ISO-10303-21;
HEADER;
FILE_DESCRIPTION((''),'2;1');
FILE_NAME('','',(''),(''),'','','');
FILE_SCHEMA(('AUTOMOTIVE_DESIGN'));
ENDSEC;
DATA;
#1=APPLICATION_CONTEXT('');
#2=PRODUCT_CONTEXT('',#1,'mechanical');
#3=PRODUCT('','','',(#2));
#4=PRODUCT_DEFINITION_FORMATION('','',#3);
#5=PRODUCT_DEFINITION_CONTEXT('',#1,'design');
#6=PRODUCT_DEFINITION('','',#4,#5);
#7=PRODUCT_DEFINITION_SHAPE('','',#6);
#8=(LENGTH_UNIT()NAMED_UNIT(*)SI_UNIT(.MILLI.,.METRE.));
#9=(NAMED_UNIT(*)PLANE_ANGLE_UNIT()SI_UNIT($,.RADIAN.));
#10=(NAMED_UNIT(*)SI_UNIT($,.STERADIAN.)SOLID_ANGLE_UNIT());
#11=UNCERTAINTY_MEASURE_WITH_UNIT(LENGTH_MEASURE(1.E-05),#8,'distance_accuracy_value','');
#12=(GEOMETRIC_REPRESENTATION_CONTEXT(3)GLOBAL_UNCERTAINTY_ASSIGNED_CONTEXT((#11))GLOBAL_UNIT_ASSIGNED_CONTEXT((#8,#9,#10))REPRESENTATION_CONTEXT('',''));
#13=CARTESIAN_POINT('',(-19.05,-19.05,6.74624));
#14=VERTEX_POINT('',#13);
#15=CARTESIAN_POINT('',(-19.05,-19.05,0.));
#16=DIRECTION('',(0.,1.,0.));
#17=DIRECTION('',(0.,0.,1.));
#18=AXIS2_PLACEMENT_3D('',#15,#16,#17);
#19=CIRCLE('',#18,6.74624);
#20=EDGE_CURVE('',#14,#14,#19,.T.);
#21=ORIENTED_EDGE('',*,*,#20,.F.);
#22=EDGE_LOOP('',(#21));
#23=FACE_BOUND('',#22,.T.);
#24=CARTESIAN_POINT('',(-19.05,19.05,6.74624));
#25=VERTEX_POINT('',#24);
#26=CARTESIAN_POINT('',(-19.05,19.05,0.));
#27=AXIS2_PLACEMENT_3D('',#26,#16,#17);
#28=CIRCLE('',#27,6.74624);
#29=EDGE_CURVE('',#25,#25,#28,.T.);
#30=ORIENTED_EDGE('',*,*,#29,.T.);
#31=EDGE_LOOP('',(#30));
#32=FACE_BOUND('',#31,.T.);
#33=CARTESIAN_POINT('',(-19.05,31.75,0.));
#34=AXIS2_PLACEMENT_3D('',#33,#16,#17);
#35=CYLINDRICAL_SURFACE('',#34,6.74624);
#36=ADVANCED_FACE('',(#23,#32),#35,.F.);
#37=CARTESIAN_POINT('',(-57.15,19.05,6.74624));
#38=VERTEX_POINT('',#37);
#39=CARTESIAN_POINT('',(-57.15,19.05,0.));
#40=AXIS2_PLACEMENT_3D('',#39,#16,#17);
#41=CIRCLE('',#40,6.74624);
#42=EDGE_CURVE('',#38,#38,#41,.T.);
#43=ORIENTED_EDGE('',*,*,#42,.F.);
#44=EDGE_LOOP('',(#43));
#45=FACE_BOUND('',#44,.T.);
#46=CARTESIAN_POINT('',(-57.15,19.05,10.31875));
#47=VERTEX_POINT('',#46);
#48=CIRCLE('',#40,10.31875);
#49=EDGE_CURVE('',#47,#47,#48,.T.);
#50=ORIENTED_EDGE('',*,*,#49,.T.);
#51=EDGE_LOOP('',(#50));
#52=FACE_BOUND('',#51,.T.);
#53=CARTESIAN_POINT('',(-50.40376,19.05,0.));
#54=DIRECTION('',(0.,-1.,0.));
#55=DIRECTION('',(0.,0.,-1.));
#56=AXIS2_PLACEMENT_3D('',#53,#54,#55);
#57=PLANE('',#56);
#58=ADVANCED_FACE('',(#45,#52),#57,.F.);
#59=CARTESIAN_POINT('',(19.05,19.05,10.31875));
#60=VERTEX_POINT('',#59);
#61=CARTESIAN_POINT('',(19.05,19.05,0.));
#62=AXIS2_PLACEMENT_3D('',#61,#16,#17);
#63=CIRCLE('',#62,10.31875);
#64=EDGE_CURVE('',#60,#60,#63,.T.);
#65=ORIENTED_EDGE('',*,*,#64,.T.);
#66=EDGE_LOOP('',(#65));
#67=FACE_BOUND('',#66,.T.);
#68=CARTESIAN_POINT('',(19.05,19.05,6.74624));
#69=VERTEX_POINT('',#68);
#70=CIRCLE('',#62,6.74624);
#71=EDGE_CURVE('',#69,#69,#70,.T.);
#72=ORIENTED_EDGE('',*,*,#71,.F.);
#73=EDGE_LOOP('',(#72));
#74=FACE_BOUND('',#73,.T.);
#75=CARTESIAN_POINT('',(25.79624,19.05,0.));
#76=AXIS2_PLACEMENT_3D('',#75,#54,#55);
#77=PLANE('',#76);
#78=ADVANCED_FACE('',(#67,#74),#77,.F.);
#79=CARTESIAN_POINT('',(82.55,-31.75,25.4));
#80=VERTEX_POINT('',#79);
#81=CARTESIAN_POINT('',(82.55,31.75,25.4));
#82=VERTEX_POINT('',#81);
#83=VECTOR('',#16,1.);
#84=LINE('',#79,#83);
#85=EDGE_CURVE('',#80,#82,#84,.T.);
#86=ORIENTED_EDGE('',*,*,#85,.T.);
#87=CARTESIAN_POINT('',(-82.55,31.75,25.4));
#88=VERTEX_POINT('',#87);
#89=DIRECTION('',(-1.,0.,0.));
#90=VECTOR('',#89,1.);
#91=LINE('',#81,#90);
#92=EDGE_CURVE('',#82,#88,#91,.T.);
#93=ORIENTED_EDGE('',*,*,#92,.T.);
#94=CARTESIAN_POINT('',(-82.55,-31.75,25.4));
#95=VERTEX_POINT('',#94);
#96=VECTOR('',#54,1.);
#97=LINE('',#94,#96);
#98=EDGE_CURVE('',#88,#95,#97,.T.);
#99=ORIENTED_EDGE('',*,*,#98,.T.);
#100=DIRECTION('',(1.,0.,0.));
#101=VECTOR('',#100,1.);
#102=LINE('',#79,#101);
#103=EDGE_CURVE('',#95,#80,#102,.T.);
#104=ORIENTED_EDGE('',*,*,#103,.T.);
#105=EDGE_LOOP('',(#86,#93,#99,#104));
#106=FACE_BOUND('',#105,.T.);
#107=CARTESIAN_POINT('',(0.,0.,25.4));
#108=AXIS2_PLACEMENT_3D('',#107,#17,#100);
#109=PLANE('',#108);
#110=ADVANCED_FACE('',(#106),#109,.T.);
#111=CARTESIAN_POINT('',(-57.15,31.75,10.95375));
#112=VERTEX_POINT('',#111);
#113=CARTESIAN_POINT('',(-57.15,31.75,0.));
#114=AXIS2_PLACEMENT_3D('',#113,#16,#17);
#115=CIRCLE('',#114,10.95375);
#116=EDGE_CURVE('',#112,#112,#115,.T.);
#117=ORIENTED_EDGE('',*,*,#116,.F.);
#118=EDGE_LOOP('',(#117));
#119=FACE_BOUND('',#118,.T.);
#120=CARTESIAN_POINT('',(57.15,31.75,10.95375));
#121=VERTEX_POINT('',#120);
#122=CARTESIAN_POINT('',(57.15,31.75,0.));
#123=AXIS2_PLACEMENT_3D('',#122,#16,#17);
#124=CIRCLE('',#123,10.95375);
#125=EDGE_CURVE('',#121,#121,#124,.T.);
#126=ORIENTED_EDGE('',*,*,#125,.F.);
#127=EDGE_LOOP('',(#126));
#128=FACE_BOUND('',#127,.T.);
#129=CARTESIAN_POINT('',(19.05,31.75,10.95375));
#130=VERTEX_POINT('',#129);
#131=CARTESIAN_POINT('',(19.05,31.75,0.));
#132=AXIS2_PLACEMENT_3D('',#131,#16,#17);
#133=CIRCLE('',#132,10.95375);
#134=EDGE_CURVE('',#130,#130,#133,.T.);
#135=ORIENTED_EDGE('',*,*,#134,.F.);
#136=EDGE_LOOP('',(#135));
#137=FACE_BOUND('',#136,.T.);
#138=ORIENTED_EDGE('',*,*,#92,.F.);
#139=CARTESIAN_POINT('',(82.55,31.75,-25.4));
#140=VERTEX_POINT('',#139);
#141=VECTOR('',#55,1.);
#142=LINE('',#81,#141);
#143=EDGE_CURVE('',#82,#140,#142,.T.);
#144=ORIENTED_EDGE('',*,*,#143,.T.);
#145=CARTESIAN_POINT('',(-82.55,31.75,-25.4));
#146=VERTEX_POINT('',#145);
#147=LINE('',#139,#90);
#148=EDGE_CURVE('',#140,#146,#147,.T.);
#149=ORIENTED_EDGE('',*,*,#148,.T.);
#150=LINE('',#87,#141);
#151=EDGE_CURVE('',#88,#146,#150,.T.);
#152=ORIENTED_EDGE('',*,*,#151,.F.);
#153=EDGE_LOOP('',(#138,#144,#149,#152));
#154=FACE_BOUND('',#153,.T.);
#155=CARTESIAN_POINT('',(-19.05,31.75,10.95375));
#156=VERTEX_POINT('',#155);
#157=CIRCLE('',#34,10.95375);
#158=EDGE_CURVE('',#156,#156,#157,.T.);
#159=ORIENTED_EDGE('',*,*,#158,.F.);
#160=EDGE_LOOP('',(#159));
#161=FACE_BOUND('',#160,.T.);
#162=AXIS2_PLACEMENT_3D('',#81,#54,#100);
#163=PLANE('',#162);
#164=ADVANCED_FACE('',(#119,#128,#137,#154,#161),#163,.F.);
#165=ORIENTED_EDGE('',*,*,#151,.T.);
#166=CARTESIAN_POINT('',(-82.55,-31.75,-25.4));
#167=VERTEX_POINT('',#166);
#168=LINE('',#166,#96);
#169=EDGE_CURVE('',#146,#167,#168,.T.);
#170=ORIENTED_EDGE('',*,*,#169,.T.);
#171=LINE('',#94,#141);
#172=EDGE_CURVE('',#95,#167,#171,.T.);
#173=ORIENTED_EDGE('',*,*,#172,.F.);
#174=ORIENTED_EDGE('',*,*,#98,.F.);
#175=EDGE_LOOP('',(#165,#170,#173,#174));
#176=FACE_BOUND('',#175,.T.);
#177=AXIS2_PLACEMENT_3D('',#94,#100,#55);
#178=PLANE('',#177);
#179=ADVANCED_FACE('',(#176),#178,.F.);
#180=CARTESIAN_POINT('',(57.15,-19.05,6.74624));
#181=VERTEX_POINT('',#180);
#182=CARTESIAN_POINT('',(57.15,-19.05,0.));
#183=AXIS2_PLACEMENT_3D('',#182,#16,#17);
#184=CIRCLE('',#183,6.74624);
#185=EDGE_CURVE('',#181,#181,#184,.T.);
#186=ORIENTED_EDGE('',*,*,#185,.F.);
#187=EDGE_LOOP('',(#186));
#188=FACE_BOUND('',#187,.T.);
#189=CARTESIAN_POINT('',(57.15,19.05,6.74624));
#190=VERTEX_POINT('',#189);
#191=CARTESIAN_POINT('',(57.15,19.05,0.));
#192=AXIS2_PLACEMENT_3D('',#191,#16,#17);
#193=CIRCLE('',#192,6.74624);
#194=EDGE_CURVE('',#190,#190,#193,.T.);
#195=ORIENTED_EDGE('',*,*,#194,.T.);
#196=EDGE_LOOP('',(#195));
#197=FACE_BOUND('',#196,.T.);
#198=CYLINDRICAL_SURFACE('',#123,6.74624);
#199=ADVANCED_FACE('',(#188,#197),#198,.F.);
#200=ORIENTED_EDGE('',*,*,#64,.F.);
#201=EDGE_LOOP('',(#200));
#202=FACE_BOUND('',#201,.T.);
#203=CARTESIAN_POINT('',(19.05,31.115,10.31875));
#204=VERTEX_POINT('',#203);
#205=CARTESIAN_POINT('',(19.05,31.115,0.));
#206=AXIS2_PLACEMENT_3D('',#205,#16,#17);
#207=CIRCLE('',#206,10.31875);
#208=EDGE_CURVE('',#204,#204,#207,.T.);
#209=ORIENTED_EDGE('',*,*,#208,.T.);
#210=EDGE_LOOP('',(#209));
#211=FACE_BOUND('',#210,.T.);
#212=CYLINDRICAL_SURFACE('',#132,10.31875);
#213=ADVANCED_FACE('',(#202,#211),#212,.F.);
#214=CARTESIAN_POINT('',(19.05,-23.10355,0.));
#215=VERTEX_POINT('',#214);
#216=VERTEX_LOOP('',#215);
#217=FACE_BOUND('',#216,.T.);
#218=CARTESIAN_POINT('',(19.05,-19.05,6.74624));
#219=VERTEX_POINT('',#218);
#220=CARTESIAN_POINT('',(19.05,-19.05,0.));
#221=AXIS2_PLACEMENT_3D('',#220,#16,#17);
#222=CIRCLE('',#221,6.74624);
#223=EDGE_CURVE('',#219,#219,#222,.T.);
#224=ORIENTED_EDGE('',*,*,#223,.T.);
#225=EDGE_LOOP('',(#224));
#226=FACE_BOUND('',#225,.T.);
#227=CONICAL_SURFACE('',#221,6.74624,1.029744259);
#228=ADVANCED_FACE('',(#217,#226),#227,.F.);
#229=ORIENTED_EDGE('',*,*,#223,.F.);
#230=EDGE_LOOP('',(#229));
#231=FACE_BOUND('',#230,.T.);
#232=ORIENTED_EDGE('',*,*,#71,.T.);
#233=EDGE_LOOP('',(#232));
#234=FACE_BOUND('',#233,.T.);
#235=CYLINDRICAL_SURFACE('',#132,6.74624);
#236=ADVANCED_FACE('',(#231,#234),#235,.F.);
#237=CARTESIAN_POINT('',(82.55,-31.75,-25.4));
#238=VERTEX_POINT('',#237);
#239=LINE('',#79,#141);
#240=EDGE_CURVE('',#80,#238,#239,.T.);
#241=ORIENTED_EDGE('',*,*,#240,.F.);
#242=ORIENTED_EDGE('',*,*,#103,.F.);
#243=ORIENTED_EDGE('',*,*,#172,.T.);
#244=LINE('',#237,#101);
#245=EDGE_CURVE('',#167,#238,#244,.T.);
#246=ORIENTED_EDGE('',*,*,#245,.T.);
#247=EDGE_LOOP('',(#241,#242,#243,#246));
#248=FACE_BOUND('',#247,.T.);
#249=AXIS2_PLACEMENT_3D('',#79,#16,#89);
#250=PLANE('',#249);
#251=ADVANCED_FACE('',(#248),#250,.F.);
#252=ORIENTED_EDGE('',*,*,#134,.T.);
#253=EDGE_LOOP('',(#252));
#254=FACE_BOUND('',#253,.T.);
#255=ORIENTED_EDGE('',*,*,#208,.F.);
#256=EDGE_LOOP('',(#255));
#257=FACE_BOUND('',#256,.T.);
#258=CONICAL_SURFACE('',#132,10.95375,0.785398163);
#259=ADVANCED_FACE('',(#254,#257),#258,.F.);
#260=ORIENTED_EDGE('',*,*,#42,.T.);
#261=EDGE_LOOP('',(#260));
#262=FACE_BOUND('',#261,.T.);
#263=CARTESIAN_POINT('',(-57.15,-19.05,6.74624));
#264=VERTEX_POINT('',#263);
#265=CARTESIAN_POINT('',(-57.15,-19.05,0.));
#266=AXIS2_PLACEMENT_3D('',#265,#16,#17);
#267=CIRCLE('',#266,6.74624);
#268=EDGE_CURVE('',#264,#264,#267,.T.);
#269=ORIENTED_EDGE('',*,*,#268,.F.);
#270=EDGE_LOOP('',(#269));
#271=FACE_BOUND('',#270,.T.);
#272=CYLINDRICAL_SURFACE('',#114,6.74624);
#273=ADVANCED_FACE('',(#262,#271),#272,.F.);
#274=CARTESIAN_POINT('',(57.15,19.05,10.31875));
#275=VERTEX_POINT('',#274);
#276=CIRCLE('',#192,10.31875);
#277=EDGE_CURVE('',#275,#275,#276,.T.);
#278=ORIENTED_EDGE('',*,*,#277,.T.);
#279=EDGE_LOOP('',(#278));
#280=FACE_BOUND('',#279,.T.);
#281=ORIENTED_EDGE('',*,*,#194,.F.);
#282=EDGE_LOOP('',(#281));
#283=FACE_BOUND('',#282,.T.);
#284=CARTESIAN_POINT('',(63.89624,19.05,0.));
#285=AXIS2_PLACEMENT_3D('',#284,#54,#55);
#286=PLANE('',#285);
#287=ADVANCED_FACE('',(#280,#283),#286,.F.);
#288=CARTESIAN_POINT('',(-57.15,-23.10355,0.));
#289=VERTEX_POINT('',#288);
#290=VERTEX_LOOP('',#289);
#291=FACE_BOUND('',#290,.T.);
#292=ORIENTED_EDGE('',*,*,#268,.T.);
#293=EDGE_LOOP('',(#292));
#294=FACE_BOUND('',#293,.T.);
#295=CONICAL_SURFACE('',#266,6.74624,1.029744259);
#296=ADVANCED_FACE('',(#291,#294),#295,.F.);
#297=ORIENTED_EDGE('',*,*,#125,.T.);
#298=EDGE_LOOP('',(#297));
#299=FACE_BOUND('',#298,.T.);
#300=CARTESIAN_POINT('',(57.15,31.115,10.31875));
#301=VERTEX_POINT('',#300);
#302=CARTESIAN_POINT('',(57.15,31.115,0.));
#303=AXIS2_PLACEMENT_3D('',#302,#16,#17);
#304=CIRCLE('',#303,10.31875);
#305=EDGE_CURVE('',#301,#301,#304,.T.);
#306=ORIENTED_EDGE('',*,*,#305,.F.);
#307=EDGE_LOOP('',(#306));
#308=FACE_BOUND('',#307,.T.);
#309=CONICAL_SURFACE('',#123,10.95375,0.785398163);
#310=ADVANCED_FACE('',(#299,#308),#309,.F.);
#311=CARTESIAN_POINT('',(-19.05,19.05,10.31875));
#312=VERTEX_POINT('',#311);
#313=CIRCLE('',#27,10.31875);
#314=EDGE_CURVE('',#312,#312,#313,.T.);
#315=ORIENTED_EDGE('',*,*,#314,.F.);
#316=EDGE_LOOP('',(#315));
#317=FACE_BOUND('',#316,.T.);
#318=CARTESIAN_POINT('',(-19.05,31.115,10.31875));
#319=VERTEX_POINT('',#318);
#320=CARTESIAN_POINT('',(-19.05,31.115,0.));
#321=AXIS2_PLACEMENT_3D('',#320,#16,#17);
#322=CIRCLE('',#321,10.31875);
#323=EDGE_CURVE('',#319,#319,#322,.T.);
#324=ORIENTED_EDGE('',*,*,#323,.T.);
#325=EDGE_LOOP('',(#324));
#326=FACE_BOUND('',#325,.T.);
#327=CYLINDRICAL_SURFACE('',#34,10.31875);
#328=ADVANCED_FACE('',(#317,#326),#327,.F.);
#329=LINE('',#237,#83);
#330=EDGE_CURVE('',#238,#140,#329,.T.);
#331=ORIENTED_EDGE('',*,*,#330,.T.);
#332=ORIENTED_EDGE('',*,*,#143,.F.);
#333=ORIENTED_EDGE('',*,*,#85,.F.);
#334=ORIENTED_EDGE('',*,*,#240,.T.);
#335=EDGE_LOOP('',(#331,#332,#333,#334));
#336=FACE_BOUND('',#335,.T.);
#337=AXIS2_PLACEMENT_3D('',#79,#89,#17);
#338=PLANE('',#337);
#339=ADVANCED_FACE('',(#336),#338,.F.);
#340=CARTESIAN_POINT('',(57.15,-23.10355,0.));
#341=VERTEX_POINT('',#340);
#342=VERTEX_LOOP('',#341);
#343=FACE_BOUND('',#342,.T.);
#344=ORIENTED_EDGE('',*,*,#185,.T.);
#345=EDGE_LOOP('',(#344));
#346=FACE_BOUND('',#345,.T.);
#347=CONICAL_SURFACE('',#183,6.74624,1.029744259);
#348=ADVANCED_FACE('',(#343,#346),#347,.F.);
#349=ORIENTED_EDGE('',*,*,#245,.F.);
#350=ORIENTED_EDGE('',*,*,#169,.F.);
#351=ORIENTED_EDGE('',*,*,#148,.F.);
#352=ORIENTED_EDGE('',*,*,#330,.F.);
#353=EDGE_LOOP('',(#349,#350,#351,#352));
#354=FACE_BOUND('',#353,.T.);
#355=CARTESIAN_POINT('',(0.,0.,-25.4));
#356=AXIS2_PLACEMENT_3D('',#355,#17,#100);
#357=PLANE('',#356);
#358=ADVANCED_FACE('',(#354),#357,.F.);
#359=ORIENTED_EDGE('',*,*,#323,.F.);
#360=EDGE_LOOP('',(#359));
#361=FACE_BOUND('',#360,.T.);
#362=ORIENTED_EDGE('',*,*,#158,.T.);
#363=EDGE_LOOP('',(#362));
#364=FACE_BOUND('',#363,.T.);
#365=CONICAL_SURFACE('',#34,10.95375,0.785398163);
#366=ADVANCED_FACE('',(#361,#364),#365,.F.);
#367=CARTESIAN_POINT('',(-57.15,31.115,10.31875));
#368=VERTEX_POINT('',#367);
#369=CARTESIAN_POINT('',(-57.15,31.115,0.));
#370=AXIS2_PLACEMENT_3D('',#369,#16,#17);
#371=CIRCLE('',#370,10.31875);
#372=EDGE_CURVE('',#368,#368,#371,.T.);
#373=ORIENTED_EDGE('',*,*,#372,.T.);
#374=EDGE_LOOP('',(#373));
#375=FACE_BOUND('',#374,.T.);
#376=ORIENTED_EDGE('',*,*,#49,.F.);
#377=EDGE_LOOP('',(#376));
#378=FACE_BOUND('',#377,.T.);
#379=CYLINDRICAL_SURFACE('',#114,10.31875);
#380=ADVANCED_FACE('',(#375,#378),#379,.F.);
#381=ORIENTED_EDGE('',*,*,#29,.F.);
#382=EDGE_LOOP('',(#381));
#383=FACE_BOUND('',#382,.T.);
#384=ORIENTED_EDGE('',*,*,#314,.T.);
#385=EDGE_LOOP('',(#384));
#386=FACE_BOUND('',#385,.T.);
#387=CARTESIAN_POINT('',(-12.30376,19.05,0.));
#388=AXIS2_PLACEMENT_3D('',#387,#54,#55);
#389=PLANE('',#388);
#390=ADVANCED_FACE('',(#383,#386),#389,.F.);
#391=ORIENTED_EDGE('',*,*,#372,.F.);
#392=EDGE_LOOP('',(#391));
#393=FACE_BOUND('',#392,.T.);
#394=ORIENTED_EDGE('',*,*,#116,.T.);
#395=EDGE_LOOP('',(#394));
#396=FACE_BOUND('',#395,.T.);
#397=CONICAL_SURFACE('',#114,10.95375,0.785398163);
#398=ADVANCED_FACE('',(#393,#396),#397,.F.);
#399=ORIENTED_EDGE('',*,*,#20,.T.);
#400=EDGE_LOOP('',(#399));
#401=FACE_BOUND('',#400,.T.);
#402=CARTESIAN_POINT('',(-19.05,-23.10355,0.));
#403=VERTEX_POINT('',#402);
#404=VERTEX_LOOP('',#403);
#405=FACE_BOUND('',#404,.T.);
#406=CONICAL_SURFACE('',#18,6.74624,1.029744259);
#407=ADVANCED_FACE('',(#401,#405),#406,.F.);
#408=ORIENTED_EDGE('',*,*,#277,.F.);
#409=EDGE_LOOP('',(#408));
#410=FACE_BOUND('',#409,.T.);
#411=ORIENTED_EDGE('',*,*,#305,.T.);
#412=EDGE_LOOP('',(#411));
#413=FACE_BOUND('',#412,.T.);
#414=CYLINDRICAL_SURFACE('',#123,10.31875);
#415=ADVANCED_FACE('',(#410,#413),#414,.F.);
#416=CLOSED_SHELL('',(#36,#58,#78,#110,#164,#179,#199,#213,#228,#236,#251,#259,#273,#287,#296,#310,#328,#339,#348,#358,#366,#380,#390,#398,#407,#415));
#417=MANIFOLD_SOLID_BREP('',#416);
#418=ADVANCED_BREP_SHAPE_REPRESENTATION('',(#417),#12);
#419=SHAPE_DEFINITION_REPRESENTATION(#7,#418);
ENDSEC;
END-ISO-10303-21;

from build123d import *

# Parameters (mm, degrees)
SKETCH1_W           = 165.1
SKETCH1_H           = 63.5
BOSS_EXTRUDE1_DEPTH = 25.4
LPATTERN1_COUNT     = 4
LPATTERN1_PITCH     = 38.1


with BuildPart() as part:
    # Sketch1 → Boss-Extrude1 (new body, symmetric)
    with BuildSketch(Plane.XY):
        Rectangle(SKETCH1_W, SKETCH1_H)
    extrude(amount=BOSS_EXTRUDE1_DEPTH, both=True)

    # Sketch4 → CBORE for 1/2 Socket Head Cap Screw2 (revolve, cut)
    with BuildSketch(Plane(origin=(-57.15, 31.75, 0), x_dir=(0, 0, 1), z_dir=(1, 0, 0))):
        Polygon((0, 0), (0, 54.853549943), (6.74624, 50.8), (6.74624, 12.7), (10.31875, 12.7), (10.31875, 0.635), (10.95375, 0), align=None)
    cbore_for_1_2_socket_head_cap_screw2 = revolve(axis=Axis((-57.15, 38.1, 0), (0, -1, 0)), mode=Mode.SUBTRACT)

    # LPattern1: CBORE for 1/2 Socket Head Cap Screw2 ×4
    with Locations(*[(i * LPATTERN1_PITCH, 0, 0) for i in range(1, LPATTERN1_COUNT)]):
        add(cbore_for_1_2_socket_head_cap_screw2, mode=Mode.SUBTRACT)


solid = part.part
